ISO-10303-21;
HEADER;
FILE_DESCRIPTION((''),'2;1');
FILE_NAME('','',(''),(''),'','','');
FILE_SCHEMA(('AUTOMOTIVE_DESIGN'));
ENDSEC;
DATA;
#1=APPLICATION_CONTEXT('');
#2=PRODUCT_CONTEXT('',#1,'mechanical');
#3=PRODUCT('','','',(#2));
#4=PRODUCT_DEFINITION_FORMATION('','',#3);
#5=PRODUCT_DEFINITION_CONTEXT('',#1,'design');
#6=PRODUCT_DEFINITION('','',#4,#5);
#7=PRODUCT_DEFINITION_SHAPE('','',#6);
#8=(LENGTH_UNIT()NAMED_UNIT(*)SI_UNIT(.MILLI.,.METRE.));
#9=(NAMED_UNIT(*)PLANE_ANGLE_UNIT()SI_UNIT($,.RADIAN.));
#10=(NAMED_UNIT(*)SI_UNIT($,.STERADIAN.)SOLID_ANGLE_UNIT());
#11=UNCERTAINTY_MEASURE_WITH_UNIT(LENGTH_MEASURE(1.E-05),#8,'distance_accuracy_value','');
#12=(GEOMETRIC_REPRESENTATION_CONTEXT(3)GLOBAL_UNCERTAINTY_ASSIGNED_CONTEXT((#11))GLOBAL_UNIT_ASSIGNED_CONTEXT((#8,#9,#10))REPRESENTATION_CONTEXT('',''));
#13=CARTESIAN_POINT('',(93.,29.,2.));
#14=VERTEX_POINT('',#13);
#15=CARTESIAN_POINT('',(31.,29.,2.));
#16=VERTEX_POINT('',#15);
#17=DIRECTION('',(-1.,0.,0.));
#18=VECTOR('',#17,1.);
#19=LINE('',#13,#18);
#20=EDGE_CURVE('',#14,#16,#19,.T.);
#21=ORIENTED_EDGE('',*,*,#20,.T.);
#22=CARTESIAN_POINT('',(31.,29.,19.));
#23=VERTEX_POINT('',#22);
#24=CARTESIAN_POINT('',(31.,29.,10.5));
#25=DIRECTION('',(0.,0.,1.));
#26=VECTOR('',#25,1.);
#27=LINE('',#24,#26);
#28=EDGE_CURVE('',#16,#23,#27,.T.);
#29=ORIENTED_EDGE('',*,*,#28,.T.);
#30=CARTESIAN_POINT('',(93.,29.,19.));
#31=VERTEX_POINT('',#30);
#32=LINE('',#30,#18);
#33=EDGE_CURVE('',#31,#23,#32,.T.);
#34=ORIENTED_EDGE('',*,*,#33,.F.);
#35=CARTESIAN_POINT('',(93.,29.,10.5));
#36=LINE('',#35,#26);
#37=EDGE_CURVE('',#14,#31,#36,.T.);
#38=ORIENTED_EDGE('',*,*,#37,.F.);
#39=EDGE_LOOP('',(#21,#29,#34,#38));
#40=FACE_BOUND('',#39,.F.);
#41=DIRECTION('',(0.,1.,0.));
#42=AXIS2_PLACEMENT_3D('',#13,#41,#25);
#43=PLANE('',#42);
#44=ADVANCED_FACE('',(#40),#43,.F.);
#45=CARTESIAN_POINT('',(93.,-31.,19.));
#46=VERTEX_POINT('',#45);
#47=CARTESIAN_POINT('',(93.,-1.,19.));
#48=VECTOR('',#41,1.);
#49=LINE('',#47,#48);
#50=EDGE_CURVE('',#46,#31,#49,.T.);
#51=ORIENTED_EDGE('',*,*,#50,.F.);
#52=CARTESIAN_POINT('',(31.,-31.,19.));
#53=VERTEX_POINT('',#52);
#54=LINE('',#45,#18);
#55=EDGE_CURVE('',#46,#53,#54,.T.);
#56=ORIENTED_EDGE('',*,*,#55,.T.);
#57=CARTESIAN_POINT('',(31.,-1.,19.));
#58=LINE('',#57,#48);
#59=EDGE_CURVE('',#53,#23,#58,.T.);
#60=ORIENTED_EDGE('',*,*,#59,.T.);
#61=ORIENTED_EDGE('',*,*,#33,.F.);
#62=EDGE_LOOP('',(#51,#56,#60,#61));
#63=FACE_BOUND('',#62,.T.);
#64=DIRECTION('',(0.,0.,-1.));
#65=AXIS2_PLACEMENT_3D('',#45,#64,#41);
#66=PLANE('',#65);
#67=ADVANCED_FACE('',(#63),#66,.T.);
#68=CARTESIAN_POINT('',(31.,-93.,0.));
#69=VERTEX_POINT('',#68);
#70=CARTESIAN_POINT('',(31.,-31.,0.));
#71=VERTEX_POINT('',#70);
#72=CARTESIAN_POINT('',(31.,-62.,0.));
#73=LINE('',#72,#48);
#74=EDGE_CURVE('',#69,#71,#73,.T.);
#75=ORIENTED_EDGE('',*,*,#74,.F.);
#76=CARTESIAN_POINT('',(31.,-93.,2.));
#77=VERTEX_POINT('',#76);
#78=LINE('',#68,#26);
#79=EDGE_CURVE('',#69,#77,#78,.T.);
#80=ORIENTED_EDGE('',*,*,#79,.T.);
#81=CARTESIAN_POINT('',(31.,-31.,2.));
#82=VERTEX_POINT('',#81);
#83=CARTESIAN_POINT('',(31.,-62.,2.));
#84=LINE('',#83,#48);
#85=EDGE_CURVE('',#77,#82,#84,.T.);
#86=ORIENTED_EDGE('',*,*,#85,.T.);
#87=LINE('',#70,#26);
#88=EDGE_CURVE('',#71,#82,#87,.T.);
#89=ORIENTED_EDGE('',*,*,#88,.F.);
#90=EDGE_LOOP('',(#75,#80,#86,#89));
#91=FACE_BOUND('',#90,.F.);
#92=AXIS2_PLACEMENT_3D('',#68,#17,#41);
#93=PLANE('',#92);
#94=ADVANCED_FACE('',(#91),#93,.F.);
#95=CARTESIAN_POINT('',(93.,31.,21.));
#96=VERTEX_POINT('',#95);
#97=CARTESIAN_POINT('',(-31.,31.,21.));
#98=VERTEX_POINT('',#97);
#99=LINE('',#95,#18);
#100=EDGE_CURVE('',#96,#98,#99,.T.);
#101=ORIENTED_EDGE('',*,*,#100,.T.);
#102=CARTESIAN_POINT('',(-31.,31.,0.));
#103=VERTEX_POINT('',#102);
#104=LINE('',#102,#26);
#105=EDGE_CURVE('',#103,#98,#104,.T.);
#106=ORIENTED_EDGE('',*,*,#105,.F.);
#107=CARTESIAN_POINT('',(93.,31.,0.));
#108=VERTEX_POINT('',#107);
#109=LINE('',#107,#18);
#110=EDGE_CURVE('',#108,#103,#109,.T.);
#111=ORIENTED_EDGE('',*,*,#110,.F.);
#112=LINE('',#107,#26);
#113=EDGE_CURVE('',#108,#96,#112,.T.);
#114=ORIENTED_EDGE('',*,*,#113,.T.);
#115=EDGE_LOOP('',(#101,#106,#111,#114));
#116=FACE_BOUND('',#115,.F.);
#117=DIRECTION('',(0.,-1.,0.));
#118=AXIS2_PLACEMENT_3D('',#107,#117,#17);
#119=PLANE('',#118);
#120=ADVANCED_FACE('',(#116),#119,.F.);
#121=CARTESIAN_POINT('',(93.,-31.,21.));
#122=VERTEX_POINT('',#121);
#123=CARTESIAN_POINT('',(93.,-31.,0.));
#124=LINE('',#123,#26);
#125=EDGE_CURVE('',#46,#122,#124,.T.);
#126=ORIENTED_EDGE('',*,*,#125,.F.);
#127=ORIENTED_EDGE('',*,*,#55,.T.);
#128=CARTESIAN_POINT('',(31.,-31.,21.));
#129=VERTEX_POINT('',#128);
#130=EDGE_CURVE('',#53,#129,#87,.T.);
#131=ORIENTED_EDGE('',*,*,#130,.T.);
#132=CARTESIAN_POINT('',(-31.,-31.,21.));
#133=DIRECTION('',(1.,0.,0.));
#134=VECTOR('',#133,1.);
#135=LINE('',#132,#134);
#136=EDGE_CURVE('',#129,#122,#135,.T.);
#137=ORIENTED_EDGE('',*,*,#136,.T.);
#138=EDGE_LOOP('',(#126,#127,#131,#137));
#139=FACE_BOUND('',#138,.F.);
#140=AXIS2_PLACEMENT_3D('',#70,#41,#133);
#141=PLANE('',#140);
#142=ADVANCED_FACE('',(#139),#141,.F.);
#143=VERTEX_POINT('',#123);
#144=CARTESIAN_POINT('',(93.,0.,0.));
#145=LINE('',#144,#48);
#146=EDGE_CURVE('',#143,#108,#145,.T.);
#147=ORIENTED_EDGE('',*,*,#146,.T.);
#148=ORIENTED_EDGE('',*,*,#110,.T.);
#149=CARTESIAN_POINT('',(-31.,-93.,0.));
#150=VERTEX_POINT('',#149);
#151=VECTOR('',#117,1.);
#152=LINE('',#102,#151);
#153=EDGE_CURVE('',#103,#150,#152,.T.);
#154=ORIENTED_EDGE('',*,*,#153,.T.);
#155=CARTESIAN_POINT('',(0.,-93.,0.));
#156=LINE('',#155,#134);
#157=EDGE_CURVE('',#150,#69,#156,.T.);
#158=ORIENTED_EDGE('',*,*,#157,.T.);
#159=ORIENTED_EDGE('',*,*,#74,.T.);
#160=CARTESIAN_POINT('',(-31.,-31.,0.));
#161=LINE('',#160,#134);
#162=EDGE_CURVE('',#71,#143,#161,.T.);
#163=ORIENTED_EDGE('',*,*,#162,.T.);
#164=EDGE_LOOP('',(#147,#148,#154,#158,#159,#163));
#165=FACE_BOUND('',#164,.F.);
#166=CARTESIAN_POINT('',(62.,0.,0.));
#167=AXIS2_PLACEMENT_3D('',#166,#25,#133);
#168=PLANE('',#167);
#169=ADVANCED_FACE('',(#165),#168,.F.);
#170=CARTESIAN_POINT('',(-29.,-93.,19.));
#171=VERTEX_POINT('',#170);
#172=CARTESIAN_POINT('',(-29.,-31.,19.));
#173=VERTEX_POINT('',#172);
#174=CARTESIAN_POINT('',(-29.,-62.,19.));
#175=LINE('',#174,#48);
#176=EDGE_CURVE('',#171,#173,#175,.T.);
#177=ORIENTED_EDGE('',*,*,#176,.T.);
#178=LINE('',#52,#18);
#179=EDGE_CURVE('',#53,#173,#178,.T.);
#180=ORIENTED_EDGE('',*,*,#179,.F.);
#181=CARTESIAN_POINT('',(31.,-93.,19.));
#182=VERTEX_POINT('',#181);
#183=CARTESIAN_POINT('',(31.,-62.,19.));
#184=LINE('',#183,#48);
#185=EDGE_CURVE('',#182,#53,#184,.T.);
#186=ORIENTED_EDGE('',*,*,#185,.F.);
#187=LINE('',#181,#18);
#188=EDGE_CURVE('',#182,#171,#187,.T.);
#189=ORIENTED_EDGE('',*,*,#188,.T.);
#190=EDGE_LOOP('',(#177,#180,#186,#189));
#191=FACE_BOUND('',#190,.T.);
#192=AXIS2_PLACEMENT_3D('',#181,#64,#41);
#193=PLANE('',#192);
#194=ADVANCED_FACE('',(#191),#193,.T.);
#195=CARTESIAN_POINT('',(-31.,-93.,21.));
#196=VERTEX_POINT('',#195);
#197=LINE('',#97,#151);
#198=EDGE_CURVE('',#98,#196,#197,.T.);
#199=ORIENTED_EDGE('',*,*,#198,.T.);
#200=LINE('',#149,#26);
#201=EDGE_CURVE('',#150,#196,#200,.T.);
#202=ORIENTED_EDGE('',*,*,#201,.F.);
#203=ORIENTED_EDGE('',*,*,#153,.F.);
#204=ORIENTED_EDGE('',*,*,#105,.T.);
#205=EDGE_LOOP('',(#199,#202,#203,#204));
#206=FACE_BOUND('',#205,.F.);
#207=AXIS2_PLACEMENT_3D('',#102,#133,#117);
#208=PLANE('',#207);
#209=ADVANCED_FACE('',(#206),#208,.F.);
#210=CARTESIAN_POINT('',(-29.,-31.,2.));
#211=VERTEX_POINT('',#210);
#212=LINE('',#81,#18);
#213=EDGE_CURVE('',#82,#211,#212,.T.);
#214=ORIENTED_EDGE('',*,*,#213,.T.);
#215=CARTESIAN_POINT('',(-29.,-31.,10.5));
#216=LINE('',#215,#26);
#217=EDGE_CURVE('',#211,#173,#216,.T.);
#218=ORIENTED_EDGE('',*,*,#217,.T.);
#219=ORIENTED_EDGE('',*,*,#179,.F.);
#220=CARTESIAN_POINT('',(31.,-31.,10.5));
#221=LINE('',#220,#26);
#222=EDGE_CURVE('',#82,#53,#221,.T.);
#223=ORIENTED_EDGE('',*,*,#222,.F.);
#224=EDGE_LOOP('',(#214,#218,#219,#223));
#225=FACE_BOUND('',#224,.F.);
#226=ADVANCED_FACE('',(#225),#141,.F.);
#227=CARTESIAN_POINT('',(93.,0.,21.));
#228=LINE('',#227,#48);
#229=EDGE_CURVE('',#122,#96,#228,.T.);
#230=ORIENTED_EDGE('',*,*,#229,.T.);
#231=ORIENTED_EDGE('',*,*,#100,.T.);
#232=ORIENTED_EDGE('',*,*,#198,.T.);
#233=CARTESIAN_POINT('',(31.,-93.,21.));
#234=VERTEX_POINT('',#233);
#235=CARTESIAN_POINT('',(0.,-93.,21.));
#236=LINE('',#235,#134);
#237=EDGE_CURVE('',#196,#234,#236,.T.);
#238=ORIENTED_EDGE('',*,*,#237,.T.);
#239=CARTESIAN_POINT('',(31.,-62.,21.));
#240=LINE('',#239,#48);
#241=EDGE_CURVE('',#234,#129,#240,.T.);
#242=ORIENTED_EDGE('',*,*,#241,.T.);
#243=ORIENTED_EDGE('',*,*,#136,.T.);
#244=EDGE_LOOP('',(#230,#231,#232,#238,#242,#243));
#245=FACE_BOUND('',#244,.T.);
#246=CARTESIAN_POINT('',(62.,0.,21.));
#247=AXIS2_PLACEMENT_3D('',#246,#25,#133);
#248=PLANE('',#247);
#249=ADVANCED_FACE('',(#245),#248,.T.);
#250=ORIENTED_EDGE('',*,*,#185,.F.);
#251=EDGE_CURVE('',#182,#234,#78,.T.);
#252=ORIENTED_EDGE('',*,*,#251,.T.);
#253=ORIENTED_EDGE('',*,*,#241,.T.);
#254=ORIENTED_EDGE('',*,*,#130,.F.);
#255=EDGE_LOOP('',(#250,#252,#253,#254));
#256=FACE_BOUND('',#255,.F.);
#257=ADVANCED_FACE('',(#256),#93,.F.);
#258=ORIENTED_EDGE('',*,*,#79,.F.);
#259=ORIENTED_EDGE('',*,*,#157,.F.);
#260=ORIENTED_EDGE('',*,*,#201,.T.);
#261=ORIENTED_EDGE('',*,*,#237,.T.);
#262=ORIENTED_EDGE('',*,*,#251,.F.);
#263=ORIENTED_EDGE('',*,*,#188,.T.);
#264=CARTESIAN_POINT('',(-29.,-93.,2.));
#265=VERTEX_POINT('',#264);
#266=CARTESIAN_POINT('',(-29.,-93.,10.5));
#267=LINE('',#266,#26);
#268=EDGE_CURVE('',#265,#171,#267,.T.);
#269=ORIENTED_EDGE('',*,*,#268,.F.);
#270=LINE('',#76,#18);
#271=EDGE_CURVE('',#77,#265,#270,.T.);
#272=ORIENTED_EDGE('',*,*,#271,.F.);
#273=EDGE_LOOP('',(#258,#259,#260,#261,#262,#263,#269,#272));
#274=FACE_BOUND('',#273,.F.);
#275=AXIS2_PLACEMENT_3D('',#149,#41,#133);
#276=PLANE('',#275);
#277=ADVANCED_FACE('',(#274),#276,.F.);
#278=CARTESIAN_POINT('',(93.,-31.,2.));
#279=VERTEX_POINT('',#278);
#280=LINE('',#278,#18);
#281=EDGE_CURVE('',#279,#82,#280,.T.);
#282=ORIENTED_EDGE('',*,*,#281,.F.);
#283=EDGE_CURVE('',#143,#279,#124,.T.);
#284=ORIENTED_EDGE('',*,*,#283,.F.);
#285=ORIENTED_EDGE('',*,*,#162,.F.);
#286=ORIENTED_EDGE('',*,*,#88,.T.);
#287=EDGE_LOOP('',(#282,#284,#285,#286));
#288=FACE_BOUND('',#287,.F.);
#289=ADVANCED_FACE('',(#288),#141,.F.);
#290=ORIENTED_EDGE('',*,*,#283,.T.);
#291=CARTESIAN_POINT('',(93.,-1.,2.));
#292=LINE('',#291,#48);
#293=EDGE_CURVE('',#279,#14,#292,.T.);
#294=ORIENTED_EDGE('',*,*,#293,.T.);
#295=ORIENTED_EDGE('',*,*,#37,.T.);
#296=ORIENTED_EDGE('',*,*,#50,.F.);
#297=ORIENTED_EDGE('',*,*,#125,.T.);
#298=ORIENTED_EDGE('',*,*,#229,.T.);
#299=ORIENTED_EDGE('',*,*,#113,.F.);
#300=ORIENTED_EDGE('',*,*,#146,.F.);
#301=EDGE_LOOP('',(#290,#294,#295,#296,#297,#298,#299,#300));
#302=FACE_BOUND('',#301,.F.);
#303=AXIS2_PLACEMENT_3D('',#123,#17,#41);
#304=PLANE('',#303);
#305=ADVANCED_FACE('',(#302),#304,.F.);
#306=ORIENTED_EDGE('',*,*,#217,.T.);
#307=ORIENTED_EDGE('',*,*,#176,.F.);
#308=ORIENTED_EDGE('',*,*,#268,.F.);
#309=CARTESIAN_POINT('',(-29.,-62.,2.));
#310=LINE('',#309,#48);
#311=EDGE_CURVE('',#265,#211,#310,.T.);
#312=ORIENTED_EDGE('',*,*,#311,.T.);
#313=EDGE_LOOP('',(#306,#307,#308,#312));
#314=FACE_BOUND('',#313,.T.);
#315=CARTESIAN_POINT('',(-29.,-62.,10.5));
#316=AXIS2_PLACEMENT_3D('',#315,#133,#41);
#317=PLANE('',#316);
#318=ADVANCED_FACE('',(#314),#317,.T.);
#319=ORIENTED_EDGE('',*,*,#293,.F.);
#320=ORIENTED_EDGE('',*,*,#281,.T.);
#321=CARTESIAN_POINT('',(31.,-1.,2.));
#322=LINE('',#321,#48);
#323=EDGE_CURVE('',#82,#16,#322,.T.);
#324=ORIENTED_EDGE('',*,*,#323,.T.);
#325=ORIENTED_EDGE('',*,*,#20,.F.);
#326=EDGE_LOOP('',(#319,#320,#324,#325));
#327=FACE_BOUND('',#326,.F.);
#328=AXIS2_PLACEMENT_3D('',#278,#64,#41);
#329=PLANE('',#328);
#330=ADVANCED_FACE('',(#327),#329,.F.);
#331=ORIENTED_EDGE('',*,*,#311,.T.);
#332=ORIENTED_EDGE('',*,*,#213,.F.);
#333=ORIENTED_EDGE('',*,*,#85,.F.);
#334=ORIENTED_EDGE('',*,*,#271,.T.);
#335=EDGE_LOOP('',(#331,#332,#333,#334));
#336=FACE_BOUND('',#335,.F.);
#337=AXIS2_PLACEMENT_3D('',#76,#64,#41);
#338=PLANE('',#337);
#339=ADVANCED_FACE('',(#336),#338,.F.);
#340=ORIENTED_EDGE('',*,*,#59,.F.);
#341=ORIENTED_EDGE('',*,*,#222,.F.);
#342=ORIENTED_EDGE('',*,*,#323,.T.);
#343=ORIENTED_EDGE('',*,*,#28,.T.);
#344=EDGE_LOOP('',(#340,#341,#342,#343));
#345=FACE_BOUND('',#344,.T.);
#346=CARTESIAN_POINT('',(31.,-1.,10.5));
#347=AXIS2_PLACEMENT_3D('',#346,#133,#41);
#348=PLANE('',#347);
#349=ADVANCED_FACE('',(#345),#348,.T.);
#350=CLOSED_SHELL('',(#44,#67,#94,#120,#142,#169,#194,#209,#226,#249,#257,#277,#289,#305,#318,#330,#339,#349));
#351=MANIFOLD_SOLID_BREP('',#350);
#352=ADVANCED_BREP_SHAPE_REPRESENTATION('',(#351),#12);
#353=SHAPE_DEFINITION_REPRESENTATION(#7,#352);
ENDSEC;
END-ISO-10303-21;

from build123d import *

# Parameters (mm, degrees)
F0_W     = 62
F0_H     = 62
F1_DEPTH = 21
F2_W     = 62
F2_H     = 17
F3_DEPTH = 60
F4_W     = 60
F4_H     = 17
F5_DEPTH = 62


with BuildPart() as f1:
    # F0 (on Top) → F1 (new body)
    with BuildSketch(Plane.XY):
        with Locations((62, 0)):
            Rectangle(F0_W, F0_H)
        Rectangle(F0_W, F0_H)
        with Locations((0, -62)):
            Rectangle(F0_W, F0_H)
    extrude(amount=F1_DEPTH)

    # F2 (on face) → F3 (cut)
    with BuildSketch(Plane.YZ.offset(31)):
        with Locations((-62, 10.5)):
            Rectangle(F2_W, F2_H)
    extrude(amount=-F3_DEPTH, mode=Mode.SUBTRACT)

    # F4 (on face) → F5 (cut)
    with BuildSketch(Plane.YZ.offset(93)):
        with Locations((-1, 10.5)):
            Rectangle(F4_W, F4_H)
    extrude(amount=-F5_DEPTH, mode=Mode.SUBTRACT)


solid = f1.part
